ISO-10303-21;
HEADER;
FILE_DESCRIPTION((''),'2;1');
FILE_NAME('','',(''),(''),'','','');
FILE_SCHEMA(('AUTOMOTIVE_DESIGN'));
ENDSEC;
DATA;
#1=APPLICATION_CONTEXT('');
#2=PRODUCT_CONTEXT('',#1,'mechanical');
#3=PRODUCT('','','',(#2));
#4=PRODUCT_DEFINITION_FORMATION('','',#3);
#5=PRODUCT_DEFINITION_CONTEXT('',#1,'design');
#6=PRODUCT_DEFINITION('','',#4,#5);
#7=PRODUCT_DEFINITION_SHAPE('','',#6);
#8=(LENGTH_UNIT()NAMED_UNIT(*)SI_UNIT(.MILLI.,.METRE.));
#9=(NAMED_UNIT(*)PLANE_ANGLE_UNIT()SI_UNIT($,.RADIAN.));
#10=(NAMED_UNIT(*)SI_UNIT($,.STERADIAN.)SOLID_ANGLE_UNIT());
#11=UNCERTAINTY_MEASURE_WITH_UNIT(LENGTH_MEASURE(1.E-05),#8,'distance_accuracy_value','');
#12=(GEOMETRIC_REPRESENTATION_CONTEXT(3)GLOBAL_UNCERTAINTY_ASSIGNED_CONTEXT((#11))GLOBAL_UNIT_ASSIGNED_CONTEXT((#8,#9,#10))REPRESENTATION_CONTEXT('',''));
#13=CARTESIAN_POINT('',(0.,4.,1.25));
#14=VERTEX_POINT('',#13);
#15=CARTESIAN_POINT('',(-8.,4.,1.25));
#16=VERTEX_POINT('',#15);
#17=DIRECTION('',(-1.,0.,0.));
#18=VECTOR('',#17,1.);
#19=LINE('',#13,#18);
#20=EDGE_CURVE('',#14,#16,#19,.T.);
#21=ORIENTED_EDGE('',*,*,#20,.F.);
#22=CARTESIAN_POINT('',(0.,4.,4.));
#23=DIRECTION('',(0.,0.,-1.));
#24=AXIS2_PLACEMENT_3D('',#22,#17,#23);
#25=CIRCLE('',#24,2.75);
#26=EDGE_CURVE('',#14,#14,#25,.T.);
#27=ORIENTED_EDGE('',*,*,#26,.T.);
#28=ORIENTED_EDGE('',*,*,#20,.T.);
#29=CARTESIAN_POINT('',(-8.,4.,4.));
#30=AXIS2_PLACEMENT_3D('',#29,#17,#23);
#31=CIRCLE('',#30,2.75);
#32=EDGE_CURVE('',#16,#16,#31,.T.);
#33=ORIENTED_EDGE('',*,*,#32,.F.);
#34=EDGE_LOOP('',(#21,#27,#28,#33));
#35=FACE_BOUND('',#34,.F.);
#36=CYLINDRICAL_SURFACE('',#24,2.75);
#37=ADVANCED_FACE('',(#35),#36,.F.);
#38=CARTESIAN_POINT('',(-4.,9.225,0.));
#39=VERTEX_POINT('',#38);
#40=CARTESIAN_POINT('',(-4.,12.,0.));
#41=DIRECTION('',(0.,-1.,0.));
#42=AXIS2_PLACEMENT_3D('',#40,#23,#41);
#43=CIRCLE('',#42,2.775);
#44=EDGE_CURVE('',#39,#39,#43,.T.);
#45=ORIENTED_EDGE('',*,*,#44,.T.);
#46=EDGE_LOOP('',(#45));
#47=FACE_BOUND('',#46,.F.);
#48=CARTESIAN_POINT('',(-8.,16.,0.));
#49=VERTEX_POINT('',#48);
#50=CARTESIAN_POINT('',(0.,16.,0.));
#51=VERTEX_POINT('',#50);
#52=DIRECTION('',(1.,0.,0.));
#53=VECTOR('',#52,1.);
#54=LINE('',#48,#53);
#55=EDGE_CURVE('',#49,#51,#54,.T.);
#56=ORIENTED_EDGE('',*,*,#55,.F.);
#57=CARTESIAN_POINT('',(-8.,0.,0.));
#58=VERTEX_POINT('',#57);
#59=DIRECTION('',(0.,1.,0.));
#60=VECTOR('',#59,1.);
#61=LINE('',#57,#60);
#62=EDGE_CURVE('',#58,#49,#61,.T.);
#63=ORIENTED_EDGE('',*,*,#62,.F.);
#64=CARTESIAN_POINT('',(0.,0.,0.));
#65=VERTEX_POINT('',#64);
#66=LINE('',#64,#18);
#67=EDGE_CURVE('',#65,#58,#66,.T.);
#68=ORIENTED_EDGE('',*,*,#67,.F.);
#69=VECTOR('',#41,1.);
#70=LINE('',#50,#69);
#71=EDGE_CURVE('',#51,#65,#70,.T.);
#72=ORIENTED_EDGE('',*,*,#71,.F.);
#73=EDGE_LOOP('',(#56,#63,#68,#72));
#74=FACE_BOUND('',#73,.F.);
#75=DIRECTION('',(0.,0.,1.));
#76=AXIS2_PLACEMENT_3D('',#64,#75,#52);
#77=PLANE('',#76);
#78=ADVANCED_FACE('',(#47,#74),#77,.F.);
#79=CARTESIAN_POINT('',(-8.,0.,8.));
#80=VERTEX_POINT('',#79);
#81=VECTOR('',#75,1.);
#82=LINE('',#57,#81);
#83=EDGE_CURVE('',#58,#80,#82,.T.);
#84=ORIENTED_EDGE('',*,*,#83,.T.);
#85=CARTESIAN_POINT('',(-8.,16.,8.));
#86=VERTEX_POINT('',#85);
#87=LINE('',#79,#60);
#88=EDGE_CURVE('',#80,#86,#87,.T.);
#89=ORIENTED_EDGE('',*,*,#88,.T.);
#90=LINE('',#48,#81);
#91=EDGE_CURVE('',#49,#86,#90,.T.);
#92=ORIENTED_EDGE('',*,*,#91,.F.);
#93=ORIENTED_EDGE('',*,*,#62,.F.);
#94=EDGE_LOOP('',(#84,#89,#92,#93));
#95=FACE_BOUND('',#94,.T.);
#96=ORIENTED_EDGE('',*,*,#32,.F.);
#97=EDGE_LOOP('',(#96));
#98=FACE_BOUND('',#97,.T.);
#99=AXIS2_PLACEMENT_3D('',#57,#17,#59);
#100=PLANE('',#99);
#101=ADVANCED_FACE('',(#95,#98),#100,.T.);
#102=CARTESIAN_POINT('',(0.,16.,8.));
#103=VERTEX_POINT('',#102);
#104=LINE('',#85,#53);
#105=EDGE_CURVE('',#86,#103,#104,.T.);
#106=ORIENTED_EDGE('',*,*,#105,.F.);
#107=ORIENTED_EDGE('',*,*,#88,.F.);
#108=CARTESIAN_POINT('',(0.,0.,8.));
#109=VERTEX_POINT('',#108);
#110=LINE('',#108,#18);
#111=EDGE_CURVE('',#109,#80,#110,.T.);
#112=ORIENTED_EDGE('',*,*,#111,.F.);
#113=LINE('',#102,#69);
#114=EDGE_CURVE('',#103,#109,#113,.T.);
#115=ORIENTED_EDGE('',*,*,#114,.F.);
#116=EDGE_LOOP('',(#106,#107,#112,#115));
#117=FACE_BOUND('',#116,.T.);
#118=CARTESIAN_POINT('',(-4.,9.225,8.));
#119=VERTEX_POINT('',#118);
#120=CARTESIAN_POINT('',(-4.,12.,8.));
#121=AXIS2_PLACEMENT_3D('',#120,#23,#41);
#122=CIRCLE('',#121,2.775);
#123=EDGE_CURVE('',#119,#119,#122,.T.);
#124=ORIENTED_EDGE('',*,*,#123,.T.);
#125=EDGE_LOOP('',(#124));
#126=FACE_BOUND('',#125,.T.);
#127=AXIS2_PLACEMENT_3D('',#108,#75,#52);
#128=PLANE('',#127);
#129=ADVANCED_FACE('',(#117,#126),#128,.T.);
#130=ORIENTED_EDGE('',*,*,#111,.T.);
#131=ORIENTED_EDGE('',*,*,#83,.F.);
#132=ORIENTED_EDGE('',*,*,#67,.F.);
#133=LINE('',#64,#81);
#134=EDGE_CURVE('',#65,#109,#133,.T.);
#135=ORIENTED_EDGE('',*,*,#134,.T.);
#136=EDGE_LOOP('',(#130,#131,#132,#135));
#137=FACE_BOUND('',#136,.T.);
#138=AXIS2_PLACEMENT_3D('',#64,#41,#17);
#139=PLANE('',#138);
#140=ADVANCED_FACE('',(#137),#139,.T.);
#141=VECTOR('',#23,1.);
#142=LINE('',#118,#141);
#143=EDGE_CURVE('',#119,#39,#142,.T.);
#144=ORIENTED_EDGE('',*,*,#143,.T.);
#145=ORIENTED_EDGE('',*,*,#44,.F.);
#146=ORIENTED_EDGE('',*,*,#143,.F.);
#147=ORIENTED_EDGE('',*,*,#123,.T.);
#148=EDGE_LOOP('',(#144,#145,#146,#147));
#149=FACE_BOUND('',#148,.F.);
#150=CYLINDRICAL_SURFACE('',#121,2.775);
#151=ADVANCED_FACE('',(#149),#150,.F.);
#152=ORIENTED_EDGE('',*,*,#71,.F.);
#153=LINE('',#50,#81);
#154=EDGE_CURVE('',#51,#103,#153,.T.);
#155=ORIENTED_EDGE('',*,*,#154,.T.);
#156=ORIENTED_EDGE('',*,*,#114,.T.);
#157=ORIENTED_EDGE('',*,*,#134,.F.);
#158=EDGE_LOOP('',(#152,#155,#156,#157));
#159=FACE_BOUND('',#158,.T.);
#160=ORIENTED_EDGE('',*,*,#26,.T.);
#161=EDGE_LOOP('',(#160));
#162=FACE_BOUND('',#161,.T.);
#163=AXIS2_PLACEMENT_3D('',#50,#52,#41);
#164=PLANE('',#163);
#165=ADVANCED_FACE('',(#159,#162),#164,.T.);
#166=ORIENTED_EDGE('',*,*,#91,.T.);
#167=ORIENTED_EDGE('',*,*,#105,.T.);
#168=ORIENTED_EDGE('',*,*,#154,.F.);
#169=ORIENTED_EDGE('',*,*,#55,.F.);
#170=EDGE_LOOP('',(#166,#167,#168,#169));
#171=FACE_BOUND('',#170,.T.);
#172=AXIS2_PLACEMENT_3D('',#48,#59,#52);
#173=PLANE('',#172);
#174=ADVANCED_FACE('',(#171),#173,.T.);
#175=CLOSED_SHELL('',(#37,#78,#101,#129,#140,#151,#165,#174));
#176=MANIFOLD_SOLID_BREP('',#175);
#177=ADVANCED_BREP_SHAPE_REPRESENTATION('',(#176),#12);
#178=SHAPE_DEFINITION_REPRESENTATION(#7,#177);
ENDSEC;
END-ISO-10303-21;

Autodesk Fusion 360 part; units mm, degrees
sketch "スケッチ1" plane through (0, 0, 0) normal (0, 0, 1) x (1, 0, 0)
  line L0 (0, 0) -> (-8, 0)
  line L1 (-8, 0) -> (-8, 16)
  line L2 (-8, 16) -> (0, 16)
  line L3 (0, 16) -> (0, 0)
  dimension "d1" = 8
  dimension "d2" = 16
extrude "押し出し1" add sketch "スケッチ1" along normal blind 8
sketch "スケッチ2" plane through (0, 0, 0) normal (1, 0, 0) x (0, 1, 0)
  line L0 (0, 0) -> (16, 0)
  line L1 (16, 0) -> (16, 8)
  line L2 (16, 8) -> (0, 8)
  line L3 (0, 8) -> (0, 0)
  point P0 (4, 4)
  dimension "d5" = 4
  dimension "d6" = 4
hole "穴1" at (0, 4, 4) direction (-1, 0, 0) diameter 5.5 depth 10 tip angle 118
sketch "スケッチ3" plane through (0, 0, 8) normal (0, 0, 1) x (-1, 0, 0)
  line L0 (0, -16) -> (8, -16)
  line L1 (8, -16) -> (8, 0)
  line L2 (8, 0) -> (0, 0)
  line L3 (0, 0) -> (0, -16)
  point P0 (4, -12)
  dimension "d10" = 4
  dimension "d11" = 4
hole "穴2" at (-4, 12, 8) direction (0, 0, -1) diameter 5.55 depth 10 tip angle 118
